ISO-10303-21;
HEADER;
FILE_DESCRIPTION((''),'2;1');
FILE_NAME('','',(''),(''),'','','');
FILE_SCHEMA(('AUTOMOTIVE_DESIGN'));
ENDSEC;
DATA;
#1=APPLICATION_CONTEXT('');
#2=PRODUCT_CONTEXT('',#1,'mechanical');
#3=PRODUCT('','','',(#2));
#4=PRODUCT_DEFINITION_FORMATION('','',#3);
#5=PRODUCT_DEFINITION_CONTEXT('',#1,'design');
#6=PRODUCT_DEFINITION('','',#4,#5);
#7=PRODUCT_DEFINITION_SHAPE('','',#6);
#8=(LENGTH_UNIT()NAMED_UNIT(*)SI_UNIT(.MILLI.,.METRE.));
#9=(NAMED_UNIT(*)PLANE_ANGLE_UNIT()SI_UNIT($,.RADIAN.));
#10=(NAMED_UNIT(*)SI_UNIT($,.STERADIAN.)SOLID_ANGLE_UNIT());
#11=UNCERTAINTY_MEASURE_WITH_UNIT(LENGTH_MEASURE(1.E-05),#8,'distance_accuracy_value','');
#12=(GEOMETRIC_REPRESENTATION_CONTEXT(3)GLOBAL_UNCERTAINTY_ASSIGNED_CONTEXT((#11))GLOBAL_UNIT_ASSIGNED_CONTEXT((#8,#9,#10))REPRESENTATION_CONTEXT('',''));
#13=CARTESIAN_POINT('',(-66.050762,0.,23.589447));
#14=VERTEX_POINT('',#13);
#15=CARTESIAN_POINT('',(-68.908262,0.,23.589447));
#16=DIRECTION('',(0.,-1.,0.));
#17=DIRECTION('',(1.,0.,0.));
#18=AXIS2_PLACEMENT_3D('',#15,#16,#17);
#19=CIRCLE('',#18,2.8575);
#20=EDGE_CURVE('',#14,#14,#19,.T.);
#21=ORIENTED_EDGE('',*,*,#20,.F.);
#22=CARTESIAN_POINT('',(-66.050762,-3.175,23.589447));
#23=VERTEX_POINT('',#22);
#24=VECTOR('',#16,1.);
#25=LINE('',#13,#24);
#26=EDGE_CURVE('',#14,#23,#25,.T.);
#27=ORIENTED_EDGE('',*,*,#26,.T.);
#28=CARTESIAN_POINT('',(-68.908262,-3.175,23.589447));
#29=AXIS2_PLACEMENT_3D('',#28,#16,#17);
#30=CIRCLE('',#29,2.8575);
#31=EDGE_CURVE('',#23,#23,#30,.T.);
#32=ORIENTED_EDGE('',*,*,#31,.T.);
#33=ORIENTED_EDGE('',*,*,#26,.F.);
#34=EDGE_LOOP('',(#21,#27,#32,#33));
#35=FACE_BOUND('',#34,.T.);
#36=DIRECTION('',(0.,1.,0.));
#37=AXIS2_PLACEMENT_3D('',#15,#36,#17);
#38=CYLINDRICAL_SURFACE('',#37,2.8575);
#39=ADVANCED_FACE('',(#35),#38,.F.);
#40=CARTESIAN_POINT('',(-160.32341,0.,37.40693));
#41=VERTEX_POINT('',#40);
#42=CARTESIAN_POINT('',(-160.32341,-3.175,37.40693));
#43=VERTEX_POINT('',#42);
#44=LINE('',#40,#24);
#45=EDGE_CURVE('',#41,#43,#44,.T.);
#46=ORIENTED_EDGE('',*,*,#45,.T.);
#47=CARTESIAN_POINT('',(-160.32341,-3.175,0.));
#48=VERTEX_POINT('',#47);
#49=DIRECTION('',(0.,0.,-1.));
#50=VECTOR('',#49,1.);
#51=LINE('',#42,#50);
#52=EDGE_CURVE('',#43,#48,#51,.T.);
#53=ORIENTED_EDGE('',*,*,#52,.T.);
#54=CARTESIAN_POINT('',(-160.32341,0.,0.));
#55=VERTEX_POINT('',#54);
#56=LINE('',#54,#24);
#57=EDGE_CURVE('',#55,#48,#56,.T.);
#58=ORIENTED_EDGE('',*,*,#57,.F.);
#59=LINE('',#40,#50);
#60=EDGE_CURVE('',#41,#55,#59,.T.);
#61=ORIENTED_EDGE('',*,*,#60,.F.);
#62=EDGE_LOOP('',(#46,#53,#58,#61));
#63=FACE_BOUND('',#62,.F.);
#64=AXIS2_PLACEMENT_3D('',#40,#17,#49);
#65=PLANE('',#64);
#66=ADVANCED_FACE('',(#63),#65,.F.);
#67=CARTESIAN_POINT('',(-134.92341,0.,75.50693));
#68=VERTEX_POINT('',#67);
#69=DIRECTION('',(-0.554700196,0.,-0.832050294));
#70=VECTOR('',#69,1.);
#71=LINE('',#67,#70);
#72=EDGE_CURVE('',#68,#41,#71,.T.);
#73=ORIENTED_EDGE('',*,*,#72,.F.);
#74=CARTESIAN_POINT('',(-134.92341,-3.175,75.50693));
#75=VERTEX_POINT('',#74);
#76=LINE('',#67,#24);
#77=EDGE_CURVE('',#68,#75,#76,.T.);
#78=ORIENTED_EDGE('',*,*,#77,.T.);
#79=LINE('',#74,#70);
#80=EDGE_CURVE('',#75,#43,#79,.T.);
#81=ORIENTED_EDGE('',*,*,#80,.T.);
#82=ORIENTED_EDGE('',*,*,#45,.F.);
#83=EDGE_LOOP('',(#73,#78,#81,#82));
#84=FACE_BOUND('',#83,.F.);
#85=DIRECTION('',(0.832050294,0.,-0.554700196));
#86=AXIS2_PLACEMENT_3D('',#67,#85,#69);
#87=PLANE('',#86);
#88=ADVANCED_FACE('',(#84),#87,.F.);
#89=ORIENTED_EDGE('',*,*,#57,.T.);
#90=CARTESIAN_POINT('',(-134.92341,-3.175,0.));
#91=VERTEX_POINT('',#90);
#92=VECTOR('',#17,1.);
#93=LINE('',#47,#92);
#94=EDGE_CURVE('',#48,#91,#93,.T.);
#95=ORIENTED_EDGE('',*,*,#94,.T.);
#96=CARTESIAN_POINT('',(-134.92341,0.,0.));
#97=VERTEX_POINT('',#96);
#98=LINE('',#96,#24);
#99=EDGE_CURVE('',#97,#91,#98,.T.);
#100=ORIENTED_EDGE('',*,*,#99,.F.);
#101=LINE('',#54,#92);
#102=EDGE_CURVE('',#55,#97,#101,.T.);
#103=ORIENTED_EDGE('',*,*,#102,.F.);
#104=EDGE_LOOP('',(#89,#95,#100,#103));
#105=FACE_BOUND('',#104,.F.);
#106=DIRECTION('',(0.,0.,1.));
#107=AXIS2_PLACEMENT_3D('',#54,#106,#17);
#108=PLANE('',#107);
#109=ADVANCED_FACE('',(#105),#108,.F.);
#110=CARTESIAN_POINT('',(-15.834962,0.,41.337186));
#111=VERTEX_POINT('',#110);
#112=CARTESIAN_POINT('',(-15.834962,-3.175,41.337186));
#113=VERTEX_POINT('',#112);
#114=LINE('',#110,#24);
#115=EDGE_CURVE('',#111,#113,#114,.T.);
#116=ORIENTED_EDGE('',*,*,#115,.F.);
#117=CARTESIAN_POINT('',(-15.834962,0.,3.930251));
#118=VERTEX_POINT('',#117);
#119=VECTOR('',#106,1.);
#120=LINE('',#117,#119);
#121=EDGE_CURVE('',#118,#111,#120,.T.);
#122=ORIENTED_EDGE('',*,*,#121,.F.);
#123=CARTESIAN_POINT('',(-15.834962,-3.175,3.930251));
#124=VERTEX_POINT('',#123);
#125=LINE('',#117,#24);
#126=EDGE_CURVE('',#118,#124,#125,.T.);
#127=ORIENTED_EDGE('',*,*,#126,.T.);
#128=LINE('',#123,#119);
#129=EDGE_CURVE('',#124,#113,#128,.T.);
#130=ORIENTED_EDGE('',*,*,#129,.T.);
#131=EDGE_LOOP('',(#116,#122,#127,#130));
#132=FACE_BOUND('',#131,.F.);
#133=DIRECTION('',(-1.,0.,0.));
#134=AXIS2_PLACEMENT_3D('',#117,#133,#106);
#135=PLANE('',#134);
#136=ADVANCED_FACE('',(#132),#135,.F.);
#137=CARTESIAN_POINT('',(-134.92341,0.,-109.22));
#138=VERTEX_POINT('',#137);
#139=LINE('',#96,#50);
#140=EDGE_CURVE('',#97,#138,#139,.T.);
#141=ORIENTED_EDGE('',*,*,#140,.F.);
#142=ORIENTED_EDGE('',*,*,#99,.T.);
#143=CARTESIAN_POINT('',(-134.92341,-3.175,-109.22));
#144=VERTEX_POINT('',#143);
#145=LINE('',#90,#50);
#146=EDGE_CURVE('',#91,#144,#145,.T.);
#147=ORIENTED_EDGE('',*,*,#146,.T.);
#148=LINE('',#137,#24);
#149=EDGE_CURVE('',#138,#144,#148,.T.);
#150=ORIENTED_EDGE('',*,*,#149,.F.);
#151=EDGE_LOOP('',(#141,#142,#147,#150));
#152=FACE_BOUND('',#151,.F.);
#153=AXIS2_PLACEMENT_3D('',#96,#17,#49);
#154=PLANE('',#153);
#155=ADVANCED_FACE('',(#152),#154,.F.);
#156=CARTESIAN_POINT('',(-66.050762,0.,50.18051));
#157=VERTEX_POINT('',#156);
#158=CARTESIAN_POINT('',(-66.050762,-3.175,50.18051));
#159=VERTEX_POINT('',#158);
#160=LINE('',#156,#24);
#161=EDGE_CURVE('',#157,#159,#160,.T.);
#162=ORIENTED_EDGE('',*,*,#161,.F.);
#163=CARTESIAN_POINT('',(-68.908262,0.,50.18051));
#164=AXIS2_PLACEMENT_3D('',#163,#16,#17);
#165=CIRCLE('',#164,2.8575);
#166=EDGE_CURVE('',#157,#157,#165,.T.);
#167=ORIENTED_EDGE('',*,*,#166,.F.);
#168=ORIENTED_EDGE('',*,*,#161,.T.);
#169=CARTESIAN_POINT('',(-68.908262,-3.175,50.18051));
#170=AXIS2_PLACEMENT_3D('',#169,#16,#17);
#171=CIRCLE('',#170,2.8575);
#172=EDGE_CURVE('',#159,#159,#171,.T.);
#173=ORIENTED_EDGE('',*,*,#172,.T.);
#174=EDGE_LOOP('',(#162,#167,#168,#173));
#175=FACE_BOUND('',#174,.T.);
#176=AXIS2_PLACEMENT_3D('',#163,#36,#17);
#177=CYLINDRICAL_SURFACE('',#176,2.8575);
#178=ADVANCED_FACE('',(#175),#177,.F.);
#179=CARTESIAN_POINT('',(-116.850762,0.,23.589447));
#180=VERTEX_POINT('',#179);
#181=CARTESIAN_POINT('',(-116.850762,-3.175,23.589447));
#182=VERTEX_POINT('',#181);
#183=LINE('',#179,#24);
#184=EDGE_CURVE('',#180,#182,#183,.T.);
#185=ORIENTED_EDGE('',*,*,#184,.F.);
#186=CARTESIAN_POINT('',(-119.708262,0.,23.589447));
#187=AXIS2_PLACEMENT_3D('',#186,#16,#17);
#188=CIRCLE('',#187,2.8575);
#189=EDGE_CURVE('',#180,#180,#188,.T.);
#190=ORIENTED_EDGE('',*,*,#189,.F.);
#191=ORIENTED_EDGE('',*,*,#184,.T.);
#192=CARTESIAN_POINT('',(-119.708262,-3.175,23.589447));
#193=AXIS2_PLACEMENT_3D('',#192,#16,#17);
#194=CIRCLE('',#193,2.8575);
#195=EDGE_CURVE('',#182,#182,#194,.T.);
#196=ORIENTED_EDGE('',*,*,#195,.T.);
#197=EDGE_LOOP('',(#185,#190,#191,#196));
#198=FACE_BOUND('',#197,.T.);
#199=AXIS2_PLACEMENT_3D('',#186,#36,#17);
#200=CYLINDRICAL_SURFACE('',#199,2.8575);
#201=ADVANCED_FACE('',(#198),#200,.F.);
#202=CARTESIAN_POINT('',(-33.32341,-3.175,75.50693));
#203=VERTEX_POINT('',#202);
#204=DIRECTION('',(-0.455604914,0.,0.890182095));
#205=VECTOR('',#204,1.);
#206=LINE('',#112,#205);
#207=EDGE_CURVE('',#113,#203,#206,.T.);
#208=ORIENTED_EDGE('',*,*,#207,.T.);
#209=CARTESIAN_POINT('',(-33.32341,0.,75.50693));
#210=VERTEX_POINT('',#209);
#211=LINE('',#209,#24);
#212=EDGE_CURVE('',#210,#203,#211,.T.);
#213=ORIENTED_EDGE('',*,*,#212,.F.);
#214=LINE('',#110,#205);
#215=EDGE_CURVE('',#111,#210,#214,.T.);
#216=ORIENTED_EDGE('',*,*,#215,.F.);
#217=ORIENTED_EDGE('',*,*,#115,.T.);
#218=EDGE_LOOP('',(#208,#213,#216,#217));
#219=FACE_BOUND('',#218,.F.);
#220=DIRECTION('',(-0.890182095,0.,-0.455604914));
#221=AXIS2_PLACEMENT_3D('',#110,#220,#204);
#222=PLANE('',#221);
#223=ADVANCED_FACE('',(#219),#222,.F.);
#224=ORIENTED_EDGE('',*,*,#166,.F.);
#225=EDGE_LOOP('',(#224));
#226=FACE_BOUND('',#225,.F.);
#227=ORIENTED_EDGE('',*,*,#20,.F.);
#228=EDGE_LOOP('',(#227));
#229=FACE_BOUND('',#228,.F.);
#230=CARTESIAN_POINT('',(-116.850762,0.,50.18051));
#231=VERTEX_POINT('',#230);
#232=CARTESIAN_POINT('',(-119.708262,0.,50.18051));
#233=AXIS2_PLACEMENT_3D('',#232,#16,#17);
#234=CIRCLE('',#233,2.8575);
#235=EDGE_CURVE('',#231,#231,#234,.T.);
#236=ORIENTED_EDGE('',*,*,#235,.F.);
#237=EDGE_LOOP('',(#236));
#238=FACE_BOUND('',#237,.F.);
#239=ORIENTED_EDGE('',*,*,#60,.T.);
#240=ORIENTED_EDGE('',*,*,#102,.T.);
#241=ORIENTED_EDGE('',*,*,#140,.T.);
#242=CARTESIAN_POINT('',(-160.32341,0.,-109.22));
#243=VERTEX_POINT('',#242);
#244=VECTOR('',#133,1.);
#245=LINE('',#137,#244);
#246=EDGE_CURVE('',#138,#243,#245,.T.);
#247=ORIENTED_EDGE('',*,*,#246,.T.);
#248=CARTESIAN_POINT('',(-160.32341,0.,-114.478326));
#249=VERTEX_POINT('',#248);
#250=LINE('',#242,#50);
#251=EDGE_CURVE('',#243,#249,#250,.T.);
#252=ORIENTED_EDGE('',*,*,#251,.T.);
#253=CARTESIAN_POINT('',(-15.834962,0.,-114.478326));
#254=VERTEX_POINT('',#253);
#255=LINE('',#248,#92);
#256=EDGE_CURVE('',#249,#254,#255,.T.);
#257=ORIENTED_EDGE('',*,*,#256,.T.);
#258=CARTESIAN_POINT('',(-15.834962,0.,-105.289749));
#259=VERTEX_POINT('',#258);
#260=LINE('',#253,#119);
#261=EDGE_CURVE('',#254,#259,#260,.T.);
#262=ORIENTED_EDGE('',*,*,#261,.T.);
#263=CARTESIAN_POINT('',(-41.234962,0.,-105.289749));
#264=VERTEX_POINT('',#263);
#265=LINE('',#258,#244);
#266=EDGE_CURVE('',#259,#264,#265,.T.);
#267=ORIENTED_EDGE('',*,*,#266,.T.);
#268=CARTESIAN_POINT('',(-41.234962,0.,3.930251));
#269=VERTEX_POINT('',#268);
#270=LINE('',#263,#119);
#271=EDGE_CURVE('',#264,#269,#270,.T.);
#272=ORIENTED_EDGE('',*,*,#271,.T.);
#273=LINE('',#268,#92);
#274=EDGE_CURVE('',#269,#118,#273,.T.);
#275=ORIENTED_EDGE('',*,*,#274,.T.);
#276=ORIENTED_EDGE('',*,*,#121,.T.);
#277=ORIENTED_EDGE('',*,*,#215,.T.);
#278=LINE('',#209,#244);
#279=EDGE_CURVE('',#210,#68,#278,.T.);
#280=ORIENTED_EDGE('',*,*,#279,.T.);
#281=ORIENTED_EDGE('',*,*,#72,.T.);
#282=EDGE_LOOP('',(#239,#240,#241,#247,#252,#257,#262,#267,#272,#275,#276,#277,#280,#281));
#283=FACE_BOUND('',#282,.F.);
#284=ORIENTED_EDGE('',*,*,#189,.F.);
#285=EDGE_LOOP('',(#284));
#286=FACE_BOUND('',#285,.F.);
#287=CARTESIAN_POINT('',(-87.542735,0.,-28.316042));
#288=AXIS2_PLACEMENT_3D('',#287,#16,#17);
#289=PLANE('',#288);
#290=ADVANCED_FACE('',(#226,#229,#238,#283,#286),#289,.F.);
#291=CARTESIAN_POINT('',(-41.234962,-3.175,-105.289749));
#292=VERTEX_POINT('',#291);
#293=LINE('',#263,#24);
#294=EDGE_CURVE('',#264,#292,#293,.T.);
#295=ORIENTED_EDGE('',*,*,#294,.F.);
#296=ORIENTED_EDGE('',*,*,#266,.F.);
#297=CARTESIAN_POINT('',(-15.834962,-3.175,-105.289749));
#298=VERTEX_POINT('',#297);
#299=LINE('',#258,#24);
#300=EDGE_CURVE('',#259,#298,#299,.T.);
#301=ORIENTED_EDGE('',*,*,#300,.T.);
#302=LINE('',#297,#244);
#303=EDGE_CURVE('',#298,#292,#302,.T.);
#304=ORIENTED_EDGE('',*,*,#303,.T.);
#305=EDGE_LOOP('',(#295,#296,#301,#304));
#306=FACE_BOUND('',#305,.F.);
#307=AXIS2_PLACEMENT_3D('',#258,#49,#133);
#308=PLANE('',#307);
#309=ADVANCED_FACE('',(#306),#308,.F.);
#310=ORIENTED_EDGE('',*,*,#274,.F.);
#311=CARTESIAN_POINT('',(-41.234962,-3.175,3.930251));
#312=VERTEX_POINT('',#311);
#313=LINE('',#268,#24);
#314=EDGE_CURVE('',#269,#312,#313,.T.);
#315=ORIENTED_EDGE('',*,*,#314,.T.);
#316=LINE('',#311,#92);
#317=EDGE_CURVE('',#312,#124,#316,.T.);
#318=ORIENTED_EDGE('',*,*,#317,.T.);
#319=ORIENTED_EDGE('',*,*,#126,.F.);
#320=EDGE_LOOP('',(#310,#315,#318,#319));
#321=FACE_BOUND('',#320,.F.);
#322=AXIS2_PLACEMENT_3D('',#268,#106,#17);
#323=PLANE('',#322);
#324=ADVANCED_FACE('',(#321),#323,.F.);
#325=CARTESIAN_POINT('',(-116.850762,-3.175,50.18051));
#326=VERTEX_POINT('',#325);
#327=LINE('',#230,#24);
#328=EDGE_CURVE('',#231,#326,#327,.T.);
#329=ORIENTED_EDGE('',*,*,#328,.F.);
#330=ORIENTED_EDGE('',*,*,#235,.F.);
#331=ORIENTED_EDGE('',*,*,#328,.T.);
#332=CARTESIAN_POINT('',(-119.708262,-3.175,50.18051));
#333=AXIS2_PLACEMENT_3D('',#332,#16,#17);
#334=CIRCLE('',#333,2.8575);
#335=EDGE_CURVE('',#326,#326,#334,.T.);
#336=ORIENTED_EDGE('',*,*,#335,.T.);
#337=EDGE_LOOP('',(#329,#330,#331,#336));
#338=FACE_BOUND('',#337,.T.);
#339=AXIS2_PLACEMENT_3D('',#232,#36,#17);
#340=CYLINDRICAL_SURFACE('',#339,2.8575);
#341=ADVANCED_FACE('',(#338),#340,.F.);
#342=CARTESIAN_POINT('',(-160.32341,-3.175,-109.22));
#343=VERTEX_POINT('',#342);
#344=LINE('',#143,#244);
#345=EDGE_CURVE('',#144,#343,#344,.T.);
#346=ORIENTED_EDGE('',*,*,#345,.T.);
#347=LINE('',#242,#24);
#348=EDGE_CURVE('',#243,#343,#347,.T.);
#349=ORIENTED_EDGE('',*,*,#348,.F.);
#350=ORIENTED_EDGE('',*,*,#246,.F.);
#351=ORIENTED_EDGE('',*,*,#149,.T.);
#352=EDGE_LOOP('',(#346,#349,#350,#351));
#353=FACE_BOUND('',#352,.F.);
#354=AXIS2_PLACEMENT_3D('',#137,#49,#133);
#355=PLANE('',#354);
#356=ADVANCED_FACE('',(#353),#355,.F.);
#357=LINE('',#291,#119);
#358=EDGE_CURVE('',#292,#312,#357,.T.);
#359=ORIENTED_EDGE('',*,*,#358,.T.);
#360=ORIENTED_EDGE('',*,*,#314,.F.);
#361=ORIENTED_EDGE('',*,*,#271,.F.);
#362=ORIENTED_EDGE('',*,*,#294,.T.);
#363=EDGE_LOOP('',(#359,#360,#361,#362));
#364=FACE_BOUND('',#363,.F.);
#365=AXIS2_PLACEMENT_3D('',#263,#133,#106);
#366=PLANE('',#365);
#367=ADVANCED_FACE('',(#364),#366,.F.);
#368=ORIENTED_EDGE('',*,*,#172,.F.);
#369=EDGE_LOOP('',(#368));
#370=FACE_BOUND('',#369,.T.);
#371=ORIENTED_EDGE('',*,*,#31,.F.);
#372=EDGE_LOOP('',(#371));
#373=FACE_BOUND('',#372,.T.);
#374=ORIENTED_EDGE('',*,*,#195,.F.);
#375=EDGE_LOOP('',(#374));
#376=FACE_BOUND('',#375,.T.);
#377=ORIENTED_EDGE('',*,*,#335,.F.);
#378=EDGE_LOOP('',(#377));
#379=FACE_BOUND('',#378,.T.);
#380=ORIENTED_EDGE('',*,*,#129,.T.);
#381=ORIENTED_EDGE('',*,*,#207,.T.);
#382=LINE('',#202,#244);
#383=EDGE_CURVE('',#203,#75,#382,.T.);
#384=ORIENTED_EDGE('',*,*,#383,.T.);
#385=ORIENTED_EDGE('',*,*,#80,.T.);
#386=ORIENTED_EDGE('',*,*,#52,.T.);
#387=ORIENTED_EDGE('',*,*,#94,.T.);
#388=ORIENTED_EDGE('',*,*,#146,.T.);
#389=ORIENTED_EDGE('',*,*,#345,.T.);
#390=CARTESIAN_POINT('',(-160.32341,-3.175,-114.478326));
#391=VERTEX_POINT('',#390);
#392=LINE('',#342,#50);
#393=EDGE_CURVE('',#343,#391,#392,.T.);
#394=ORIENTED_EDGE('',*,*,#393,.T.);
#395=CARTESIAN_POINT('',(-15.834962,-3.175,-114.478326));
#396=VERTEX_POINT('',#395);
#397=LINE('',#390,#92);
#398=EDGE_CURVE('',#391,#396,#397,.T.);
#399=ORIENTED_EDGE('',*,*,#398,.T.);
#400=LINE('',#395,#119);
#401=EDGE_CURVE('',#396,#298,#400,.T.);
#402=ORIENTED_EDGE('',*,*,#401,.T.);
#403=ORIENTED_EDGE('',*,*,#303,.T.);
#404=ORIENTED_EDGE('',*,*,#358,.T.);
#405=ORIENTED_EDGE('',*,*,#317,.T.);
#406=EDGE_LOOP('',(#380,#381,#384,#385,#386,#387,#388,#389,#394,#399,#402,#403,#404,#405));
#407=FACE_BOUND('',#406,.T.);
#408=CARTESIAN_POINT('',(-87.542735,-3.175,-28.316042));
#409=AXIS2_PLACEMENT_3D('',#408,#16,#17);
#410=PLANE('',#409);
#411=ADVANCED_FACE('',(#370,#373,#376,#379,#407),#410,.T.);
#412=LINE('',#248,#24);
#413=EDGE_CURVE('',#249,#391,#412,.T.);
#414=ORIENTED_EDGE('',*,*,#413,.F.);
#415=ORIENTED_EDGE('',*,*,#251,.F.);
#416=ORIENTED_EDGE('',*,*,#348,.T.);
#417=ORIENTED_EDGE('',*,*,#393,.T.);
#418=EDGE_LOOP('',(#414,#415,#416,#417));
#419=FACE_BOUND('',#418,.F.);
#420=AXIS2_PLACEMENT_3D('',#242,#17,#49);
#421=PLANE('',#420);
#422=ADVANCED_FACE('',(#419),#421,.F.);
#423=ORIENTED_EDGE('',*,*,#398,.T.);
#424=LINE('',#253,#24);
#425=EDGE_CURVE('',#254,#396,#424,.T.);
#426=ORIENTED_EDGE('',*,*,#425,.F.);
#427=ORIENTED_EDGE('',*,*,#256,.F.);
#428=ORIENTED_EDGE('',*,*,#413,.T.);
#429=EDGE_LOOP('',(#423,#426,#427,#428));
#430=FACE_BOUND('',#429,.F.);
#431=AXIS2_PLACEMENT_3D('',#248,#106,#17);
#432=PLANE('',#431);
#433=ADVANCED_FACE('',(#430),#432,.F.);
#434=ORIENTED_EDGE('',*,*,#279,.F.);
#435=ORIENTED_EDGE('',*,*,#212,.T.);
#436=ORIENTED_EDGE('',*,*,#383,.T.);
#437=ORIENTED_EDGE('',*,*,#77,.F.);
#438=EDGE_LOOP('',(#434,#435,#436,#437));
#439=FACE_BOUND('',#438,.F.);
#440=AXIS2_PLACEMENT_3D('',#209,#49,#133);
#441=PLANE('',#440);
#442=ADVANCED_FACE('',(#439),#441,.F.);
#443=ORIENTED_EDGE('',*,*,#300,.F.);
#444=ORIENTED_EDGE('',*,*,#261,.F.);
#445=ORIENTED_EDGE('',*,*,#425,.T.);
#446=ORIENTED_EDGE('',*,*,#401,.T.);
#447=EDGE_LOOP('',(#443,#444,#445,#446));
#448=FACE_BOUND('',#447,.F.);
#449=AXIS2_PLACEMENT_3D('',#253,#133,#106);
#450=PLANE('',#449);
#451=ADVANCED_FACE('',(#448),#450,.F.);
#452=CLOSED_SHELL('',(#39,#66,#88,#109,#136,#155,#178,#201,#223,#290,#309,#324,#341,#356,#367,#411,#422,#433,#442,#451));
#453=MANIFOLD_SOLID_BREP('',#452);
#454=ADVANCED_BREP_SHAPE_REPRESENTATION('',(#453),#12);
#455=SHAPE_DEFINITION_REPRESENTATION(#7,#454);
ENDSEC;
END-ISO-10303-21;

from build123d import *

# Parameters (mm, degrees)
F0_R     = 2.8575
F1_DEPTH = 3.175


with BuildPart() as f1:
    # F0 (on Front) → F1 (new body)
    with BuildSketch(Plane.XZ):
        Polygon((-33.32341, 75.50693), (-134.92341, 75.50693), (-160.32341, 37.40693), (-160.32341, 0), (-134.92341, 0), (-134.92341, -109.22), (-160.32341, -109.22), (-160.32341, -114.478326), (-15.834962, -114.478326), (-15.834962, -105.289749), (-41.234962, -105.289749), (-41.234962, 3.930251), (-15.834962, 3.930251), (-15.834962, 41.337186), align=None)
        with Locations((-119.708262, 23.589447)):
            Circle(F0_R, mode=Mode.SUBTRACT)
        with Locations((-119.708262, 50.18051)):
            Circle(F0_R, mode=Mode.SUBTRACT)
        with Locations((-68.908262, 23.589447)):
            Circle(F0_R, mode=Mode.SUBTRACT)
        with Locations((-68.908262, 50.18051)):
            Circle(F0_R, mode=Mode.SUBTRACT)
    extrude(amount=F1_DEPTH)


solid = f1.part
